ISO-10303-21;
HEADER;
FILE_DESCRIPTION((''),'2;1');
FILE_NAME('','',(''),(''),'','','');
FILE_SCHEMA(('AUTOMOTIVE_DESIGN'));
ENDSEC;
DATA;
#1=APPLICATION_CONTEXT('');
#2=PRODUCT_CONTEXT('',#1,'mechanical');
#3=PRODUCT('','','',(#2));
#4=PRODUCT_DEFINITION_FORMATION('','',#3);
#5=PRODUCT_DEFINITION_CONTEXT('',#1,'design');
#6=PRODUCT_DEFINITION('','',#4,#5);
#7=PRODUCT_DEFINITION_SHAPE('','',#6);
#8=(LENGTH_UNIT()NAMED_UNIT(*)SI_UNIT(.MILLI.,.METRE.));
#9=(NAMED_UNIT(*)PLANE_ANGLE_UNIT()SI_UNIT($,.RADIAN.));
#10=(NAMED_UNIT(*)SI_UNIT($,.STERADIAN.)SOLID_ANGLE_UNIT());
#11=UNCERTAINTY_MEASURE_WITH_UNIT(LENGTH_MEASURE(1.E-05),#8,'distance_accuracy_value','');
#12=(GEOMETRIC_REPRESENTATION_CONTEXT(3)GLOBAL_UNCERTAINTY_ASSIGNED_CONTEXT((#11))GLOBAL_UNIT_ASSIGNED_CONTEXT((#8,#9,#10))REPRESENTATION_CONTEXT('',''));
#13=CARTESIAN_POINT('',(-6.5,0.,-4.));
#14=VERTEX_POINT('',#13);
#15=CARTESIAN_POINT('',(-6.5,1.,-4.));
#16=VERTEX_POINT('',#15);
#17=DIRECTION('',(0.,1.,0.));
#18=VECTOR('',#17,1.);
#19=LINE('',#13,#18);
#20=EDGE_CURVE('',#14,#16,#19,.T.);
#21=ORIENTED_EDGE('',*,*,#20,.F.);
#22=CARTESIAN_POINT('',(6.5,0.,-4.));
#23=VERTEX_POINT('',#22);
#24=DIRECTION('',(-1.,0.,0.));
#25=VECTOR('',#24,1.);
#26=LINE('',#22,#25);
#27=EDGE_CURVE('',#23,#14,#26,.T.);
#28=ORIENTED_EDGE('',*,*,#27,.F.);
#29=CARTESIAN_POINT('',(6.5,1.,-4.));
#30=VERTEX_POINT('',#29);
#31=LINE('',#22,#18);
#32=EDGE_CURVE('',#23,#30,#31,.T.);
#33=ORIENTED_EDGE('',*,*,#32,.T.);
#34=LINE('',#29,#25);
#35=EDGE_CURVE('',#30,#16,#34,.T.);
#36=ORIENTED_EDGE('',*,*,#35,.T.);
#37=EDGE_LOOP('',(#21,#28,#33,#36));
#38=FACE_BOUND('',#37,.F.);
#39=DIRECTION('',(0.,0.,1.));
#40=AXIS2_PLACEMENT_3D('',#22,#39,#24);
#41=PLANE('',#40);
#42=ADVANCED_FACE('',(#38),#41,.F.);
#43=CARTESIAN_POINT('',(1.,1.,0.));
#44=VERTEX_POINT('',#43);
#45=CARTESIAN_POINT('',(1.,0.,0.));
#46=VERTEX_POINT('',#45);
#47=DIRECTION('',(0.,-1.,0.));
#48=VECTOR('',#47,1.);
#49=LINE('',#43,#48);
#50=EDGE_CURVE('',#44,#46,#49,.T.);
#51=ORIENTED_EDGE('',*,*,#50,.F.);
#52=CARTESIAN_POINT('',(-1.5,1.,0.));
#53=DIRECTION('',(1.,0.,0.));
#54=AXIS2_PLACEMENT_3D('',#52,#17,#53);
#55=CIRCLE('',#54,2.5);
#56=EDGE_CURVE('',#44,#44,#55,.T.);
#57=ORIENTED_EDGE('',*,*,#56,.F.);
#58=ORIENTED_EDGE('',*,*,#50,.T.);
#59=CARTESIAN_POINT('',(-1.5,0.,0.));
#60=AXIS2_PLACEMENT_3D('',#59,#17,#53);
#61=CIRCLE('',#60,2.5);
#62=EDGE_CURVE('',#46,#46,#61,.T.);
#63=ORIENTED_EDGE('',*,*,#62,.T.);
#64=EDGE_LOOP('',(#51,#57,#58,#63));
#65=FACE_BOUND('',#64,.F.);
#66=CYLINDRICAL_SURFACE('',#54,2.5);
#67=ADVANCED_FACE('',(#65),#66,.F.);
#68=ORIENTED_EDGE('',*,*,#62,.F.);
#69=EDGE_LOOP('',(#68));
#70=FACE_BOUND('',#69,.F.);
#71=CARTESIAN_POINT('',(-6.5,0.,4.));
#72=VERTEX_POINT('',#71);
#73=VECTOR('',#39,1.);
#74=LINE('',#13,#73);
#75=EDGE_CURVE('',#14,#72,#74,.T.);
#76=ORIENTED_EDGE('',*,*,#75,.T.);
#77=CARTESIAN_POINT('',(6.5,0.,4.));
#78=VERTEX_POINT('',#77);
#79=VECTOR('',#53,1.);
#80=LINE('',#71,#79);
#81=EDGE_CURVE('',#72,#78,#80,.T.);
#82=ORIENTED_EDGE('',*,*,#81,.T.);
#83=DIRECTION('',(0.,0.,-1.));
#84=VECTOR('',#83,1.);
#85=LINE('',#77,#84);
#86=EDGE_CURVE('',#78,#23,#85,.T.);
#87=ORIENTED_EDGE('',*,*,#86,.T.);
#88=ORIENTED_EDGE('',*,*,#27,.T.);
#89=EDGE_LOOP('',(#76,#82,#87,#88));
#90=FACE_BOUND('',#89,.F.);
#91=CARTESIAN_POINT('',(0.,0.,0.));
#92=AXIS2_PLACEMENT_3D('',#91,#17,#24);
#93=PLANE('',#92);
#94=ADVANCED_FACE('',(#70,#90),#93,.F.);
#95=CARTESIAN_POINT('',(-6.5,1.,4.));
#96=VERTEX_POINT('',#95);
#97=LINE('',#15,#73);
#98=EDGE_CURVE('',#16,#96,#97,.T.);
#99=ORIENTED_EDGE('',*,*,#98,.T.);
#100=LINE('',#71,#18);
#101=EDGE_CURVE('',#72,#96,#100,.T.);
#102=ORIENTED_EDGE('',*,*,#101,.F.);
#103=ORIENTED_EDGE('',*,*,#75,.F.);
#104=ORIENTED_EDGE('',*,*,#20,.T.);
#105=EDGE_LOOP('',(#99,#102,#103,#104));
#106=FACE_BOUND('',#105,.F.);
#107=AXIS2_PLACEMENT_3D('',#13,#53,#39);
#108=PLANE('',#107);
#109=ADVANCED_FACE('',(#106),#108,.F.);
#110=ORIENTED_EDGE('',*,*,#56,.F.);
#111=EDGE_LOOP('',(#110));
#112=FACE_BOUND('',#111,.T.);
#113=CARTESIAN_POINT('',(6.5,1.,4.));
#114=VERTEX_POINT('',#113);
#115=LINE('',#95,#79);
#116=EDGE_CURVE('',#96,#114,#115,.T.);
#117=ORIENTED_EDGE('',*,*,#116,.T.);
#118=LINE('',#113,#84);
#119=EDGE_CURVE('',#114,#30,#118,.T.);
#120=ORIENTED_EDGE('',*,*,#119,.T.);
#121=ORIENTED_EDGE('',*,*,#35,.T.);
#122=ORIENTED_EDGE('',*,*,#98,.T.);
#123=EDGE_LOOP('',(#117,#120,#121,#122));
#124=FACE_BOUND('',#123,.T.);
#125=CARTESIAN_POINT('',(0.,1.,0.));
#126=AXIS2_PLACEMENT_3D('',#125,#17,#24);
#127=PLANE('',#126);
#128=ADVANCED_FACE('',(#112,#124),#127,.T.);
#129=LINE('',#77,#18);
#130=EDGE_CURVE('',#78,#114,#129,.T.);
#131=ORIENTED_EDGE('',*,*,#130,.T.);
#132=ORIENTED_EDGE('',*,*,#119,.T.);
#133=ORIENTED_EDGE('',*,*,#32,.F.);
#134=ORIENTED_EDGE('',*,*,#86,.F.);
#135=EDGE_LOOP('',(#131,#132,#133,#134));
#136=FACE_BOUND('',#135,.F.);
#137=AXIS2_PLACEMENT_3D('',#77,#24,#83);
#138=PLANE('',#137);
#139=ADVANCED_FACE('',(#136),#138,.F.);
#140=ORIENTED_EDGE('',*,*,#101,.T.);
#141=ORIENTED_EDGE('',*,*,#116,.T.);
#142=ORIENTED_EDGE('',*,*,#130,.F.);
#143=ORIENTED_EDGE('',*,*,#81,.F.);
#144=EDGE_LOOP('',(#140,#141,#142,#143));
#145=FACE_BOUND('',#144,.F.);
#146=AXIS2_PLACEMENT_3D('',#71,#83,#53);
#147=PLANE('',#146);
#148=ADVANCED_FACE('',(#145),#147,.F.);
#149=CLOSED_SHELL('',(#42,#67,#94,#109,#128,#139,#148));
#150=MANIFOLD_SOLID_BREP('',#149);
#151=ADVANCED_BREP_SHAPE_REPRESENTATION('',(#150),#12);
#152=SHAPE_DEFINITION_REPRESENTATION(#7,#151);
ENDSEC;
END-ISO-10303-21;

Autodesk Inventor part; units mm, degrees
ref_plane "YZ Plane" through (0, 0, 0) normal (1, 0, 0) x (0, 1, 0)
ref_plane "XZ Plane" through (0, 0, 0) normal (0, 1, 0) x (-1, 0, 0)
ref_plane "XY Plane" through (0, 0, 0) normal (0, 0, 1) x (1, 0, 0)
sketch "Sketch1" plane through (0, 0, 0) normal (0, 1, 0) x (-1, 0, 0)
  line L0 (6.5, 4) -> (-6.5, 4)
  line L1 (-6.5, 4) -> (-6.5, -4)
  line L2 (-6.5, -4) -> (6.5, -4)
  line L3 (6.5, -4) -> (6.5, 4)
  line L4 (6.5, 4) -> (-6.5, -4) construction
  line L5 (-6.5, 4) -> (6.5, -4) construction
  point P0 (0, 0)
  dimension "d0" = 13
  dimension "d1" = 8
extrude "Extrusion1" add sketch "Sketch1" along normal blind 1
sketch "Sketch2" plane through (0, 1, 0) normal (0, 1, 0) x (1, 0, 0)
  line L0 (-6.5, 4) -> (-6.5, -4) construction
  line L1 (-6.5, 0) -> (-1.5, 0) construction
  circle A0 centre (-1.5, 0) radius 2.5
  point P0 (0, 0)
  dimension "d4" = 5
  dimension "d5" = 5
extrude "Extrusion2" cut sketch "Sketch2" against normal through all
properties part number "Rectangular Piece"
